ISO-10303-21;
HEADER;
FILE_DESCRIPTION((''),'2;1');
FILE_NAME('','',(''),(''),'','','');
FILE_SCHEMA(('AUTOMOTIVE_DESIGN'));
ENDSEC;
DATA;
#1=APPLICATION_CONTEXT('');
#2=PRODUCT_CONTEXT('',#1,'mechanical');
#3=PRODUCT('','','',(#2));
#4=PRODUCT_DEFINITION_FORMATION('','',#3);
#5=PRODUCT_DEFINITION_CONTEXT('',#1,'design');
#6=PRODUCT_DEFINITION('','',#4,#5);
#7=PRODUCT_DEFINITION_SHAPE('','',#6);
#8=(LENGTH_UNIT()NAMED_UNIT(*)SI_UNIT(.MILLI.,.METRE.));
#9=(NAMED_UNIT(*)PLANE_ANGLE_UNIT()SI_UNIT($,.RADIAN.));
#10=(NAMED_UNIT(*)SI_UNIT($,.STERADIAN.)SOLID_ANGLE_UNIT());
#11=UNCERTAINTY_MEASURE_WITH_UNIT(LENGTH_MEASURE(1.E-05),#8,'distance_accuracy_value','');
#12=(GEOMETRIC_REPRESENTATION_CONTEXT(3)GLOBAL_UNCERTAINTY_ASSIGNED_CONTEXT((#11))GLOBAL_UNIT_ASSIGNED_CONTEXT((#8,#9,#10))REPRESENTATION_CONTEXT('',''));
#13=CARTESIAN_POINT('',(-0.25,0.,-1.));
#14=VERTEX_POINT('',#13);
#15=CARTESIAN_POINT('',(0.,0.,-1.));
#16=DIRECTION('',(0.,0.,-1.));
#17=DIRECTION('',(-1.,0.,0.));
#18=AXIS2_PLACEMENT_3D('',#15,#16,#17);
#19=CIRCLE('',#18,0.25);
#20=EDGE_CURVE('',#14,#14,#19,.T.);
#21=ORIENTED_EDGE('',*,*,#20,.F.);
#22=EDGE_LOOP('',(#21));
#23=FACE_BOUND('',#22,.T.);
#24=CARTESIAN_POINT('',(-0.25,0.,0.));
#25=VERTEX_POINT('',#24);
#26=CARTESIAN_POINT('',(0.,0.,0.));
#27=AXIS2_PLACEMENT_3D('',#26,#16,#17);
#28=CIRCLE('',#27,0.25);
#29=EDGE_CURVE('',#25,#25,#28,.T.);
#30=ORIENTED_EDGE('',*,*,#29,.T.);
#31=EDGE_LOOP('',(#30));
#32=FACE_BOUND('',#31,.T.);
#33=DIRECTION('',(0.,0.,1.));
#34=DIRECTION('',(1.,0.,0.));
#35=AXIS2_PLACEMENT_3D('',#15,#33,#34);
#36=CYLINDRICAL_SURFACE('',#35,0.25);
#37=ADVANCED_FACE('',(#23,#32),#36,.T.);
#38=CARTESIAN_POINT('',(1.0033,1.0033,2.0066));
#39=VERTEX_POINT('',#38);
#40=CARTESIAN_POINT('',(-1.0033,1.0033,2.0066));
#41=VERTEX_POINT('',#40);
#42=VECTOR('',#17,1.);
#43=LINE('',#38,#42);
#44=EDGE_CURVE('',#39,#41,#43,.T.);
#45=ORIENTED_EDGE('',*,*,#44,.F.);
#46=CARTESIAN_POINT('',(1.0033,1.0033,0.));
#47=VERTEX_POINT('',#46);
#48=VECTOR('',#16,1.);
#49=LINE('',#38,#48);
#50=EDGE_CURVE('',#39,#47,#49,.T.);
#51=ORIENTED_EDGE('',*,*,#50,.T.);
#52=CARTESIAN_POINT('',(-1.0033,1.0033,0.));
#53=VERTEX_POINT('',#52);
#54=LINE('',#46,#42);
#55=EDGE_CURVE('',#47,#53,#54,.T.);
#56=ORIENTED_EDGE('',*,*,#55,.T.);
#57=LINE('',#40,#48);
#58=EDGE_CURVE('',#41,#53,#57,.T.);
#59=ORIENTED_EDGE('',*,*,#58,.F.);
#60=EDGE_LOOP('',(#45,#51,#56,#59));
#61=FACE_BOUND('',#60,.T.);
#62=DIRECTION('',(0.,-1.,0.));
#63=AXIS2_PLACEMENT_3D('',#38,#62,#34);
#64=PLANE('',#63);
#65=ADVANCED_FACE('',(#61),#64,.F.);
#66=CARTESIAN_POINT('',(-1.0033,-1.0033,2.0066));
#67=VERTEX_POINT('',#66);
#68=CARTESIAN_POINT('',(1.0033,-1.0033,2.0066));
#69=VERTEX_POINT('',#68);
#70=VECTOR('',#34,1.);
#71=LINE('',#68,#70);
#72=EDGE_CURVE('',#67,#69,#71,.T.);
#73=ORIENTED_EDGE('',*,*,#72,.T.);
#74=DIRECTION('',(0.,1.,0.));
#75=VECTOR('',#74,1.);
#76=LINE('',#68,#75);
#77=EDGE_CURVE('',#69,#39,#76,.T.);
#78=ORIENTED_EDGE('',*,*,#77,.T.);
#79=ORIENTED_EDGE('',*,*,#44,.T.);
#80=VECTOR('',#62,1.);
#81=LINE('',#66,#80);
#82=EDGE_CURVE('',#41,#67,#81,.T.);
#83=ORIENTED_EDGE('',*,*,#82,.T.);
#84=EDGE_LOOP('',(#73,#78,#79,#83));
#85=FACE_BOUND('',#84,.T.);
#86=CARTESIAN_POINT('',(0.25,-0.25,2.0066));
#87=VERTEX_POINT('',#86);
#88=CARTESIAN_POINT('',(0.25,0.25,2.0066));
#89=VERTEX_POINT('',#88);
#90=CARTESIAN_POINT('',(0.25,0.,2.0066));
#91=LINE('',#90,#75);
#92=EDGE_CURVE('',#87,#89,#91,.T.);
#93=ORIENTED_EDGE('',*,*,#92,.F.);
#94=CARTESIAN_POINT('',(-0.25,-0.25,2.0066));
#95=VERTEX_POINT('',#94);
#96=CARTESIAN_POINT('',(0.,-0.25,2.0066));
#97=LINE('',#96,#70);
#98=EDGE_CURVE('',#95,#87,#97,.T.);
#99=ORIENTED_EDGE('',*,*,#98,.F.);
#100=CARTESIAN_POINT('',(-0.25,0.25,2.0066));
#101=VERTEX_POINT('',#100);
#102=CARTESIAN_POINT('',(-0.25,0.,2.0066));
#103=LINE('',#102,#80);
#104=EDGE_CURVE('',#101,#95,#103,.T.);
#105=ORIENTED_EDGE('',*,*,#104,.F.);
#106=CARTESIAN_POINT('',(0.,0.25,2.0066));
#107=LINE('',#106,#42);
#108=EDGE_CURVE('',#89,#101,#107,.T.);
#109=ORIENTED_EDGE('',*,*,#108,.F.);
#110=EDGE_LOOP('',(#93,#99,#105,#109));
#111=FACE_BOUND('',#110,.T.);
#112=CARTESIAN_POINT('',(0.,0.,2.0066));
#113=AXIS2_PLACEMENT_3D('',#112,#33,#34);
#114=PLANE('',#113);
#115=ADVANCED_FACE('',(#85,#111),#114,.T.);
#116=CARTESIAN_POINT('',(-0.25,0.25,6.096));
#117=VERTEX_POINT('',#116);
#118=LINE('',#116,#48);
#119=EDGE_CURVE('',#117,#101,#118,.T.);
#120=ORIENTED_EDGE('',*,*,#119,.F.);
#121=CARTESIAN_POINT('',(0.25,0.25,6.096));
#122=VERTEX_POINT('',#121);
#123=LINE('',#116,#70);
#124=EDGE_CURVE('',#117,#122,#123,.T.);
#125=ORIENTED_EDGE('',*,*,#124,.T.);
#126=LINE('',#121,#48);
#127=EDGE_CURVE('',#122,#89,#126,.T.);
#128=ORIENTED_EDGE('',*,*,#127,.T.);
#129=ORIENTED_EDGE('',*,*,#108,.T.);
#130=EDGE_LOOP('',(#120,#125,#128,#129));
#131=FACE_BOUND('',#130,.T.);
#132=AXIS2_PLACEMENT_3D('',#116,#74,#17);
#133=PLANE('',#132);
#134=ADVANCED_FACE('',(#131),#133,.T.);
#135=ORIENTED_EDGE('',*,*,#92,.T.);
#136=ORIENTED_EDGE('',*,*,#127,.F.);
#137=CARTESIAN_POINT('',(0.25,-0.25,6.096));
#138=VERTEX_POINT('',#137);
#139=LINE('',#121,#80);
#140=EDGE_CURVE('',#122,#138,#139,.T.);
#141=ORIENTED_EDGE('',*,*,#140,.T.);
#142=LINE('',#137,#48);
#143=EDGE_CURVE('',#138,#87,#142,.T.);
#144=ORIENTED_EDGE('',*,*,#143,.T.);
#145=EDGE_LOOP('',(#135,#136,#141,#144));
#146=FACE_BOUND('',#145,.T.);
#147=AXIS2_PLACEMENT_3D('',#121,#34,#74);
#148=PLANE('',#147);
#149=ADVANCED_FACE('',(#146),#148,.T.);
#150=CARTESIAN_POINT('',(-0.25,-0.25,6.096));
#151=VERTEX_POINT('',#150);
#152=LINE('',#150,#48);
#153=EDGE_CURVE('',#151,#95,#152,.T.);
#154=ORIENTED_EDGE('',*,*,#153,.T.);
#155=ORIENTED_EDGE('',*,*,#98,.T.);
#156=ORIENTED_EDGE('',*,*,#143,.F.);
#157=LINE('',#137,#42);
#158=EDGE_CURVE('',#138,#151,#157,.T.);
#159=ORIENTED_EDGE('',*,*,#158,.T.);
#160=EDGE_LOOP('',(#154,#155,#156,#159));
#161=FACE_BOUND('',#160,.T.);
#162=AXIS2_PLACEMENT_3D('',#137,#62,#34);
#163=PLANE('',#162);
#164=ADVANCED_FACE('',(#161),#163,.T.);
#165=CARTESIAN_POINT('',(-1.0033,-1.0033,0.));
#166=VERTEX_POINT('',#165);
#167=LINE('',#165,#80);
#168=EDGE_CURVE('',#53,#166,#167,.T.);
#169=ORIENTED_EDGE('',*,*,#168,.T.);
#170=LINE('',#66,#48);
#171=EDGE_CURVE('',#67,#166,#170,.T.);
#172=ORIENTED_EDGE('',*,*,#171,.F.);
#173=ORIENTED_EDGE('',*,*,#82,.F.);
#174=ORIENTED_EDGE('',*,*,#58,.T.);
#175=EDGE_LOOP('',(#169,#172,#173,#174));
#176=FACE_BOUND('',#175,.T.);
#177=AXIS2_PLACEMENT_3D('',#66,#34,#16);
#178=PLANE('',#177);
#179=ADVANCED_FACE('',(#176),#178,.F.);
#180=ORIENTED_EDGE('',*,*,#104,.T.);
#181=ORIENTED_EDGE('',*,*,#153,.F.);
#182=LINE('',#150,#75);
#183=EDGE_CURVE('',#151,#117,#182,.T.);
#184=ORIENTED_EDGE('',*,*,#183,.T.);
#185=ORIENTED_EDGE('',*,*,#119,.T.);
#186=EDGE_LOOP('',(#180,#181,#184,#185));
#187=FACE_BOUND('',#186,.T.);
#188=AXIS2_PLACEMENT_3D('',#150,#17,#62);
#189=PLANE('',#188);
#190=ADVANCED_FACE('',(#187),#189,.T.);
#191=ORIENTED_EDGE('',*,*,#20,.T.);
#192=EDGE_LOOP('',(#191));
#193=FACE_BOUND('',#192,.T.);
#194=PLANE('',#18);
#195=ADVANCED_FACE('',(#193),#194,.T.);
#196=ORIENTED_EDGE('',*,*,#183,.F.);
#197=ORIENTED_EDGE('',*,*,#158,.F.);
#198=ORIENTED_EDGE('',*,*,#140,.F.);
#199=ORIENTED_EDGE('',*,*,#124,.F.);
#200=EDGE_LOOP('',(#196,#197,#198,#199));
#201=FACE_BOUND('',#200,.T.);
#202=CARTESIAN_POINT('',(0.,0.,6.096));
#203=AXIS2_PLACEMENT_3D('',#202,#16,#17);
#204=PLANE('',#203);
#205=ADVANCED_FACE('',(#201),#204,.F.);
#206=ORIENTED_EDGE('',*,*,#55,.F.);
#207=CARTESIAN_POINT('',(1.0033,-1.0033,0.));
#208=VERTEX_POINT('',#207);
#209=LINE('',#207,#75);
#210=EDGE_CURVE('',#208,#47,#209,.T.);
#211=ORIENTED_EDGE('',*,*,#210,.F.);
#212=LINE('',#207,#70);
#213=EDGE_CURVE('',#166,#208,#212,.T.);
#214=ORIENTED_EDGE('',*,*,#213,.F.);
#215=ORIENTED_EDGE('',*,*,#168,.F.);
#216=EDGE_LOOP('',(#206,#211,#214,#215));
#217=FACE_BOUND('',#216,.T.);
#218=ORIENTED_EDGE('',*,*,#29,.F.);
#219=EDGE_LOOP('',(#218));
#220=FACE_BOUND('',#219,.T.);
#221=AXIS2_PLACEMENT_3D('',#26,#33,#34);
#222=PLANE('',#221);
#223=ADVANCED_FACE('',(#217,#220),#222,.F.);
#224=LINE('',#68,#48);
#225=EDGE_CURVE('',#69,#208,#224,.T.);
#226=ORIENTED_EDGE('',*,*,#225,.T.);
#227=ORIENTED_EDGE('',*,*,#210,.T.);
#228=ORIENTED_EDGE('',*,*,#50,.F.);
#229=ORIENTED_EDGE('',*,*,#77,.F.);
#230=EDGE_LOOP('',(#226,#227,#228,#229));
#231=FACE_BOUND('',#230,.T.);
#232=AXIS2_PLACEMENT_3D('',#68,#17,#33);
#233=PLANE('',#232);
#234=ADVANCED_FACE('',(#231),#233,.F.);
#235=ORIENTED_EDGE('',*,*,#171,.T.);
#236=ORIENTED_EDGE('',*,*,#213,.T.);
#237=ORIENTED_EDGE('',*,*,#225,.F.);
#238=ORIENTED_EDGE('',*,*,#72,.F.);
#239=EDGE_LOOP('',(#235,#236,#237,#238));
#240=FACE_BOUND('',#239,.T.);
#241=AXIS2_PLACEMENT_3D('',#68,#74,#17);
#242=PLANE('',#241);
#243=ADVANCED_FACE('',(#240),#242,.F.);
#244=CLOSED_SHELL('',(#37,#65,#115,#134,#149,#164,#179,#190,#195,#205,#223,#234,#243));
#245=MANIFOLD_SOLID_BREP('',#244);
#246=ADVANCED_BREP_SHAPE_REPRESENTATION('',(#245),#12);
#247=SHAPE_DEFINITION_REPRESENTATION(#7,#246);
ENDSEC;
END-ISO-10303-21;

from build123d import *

# Parameters (mm, degrees)
CROQUIS1_W              = 2.0066
CROQUIS1_H              = 2.0066
SALIENTE_EXTRUIR1_DEPTH = 2.0066
CROQUIS3_W              = 0.5
CROQUIS3_H              = 0.5
SALIENTE_EXTRUIR3_DEPTH = 6.096
CROQUIS4_R              = 0.25
SALIENTE_EXTRUIR4_DEPTH = 1


with BuildPart() as part:
    # Croquis1 → Saliente-Extruir1 (new body)
    with BuildSketch(Plane.XY):
        Rectangle(CROQUIS1_W, CROQUIS1_H)
    extrude(amount=SALIENTE_EXTRUIR1_DEPTH)

    # Croquis3 → Saliente-Extruir3 (add)
    with BuildSketch(Plane(origin=(0, 0, 0), x_dir=(-1, 0, 0), z_dir=(0, 0, -1))):
        Rectangle(CROQUIS3_W, CROQUIS3_H)
    extrude(amount=-SALIENTE_EXTRUIR3_DEPTH)

    # Croquis4 → Saliente-Extruir4 (add)
    with BuildSketch(Plane(origin=(0, 0, 0), x_dir=(-1, 0, 0), z_dir=(0, 0, -1))):
        Circle(CROQUIS4_R)
    extrude(amount=SALIENTE_EXTRUIR4_DEPTH)


solid = part.part
